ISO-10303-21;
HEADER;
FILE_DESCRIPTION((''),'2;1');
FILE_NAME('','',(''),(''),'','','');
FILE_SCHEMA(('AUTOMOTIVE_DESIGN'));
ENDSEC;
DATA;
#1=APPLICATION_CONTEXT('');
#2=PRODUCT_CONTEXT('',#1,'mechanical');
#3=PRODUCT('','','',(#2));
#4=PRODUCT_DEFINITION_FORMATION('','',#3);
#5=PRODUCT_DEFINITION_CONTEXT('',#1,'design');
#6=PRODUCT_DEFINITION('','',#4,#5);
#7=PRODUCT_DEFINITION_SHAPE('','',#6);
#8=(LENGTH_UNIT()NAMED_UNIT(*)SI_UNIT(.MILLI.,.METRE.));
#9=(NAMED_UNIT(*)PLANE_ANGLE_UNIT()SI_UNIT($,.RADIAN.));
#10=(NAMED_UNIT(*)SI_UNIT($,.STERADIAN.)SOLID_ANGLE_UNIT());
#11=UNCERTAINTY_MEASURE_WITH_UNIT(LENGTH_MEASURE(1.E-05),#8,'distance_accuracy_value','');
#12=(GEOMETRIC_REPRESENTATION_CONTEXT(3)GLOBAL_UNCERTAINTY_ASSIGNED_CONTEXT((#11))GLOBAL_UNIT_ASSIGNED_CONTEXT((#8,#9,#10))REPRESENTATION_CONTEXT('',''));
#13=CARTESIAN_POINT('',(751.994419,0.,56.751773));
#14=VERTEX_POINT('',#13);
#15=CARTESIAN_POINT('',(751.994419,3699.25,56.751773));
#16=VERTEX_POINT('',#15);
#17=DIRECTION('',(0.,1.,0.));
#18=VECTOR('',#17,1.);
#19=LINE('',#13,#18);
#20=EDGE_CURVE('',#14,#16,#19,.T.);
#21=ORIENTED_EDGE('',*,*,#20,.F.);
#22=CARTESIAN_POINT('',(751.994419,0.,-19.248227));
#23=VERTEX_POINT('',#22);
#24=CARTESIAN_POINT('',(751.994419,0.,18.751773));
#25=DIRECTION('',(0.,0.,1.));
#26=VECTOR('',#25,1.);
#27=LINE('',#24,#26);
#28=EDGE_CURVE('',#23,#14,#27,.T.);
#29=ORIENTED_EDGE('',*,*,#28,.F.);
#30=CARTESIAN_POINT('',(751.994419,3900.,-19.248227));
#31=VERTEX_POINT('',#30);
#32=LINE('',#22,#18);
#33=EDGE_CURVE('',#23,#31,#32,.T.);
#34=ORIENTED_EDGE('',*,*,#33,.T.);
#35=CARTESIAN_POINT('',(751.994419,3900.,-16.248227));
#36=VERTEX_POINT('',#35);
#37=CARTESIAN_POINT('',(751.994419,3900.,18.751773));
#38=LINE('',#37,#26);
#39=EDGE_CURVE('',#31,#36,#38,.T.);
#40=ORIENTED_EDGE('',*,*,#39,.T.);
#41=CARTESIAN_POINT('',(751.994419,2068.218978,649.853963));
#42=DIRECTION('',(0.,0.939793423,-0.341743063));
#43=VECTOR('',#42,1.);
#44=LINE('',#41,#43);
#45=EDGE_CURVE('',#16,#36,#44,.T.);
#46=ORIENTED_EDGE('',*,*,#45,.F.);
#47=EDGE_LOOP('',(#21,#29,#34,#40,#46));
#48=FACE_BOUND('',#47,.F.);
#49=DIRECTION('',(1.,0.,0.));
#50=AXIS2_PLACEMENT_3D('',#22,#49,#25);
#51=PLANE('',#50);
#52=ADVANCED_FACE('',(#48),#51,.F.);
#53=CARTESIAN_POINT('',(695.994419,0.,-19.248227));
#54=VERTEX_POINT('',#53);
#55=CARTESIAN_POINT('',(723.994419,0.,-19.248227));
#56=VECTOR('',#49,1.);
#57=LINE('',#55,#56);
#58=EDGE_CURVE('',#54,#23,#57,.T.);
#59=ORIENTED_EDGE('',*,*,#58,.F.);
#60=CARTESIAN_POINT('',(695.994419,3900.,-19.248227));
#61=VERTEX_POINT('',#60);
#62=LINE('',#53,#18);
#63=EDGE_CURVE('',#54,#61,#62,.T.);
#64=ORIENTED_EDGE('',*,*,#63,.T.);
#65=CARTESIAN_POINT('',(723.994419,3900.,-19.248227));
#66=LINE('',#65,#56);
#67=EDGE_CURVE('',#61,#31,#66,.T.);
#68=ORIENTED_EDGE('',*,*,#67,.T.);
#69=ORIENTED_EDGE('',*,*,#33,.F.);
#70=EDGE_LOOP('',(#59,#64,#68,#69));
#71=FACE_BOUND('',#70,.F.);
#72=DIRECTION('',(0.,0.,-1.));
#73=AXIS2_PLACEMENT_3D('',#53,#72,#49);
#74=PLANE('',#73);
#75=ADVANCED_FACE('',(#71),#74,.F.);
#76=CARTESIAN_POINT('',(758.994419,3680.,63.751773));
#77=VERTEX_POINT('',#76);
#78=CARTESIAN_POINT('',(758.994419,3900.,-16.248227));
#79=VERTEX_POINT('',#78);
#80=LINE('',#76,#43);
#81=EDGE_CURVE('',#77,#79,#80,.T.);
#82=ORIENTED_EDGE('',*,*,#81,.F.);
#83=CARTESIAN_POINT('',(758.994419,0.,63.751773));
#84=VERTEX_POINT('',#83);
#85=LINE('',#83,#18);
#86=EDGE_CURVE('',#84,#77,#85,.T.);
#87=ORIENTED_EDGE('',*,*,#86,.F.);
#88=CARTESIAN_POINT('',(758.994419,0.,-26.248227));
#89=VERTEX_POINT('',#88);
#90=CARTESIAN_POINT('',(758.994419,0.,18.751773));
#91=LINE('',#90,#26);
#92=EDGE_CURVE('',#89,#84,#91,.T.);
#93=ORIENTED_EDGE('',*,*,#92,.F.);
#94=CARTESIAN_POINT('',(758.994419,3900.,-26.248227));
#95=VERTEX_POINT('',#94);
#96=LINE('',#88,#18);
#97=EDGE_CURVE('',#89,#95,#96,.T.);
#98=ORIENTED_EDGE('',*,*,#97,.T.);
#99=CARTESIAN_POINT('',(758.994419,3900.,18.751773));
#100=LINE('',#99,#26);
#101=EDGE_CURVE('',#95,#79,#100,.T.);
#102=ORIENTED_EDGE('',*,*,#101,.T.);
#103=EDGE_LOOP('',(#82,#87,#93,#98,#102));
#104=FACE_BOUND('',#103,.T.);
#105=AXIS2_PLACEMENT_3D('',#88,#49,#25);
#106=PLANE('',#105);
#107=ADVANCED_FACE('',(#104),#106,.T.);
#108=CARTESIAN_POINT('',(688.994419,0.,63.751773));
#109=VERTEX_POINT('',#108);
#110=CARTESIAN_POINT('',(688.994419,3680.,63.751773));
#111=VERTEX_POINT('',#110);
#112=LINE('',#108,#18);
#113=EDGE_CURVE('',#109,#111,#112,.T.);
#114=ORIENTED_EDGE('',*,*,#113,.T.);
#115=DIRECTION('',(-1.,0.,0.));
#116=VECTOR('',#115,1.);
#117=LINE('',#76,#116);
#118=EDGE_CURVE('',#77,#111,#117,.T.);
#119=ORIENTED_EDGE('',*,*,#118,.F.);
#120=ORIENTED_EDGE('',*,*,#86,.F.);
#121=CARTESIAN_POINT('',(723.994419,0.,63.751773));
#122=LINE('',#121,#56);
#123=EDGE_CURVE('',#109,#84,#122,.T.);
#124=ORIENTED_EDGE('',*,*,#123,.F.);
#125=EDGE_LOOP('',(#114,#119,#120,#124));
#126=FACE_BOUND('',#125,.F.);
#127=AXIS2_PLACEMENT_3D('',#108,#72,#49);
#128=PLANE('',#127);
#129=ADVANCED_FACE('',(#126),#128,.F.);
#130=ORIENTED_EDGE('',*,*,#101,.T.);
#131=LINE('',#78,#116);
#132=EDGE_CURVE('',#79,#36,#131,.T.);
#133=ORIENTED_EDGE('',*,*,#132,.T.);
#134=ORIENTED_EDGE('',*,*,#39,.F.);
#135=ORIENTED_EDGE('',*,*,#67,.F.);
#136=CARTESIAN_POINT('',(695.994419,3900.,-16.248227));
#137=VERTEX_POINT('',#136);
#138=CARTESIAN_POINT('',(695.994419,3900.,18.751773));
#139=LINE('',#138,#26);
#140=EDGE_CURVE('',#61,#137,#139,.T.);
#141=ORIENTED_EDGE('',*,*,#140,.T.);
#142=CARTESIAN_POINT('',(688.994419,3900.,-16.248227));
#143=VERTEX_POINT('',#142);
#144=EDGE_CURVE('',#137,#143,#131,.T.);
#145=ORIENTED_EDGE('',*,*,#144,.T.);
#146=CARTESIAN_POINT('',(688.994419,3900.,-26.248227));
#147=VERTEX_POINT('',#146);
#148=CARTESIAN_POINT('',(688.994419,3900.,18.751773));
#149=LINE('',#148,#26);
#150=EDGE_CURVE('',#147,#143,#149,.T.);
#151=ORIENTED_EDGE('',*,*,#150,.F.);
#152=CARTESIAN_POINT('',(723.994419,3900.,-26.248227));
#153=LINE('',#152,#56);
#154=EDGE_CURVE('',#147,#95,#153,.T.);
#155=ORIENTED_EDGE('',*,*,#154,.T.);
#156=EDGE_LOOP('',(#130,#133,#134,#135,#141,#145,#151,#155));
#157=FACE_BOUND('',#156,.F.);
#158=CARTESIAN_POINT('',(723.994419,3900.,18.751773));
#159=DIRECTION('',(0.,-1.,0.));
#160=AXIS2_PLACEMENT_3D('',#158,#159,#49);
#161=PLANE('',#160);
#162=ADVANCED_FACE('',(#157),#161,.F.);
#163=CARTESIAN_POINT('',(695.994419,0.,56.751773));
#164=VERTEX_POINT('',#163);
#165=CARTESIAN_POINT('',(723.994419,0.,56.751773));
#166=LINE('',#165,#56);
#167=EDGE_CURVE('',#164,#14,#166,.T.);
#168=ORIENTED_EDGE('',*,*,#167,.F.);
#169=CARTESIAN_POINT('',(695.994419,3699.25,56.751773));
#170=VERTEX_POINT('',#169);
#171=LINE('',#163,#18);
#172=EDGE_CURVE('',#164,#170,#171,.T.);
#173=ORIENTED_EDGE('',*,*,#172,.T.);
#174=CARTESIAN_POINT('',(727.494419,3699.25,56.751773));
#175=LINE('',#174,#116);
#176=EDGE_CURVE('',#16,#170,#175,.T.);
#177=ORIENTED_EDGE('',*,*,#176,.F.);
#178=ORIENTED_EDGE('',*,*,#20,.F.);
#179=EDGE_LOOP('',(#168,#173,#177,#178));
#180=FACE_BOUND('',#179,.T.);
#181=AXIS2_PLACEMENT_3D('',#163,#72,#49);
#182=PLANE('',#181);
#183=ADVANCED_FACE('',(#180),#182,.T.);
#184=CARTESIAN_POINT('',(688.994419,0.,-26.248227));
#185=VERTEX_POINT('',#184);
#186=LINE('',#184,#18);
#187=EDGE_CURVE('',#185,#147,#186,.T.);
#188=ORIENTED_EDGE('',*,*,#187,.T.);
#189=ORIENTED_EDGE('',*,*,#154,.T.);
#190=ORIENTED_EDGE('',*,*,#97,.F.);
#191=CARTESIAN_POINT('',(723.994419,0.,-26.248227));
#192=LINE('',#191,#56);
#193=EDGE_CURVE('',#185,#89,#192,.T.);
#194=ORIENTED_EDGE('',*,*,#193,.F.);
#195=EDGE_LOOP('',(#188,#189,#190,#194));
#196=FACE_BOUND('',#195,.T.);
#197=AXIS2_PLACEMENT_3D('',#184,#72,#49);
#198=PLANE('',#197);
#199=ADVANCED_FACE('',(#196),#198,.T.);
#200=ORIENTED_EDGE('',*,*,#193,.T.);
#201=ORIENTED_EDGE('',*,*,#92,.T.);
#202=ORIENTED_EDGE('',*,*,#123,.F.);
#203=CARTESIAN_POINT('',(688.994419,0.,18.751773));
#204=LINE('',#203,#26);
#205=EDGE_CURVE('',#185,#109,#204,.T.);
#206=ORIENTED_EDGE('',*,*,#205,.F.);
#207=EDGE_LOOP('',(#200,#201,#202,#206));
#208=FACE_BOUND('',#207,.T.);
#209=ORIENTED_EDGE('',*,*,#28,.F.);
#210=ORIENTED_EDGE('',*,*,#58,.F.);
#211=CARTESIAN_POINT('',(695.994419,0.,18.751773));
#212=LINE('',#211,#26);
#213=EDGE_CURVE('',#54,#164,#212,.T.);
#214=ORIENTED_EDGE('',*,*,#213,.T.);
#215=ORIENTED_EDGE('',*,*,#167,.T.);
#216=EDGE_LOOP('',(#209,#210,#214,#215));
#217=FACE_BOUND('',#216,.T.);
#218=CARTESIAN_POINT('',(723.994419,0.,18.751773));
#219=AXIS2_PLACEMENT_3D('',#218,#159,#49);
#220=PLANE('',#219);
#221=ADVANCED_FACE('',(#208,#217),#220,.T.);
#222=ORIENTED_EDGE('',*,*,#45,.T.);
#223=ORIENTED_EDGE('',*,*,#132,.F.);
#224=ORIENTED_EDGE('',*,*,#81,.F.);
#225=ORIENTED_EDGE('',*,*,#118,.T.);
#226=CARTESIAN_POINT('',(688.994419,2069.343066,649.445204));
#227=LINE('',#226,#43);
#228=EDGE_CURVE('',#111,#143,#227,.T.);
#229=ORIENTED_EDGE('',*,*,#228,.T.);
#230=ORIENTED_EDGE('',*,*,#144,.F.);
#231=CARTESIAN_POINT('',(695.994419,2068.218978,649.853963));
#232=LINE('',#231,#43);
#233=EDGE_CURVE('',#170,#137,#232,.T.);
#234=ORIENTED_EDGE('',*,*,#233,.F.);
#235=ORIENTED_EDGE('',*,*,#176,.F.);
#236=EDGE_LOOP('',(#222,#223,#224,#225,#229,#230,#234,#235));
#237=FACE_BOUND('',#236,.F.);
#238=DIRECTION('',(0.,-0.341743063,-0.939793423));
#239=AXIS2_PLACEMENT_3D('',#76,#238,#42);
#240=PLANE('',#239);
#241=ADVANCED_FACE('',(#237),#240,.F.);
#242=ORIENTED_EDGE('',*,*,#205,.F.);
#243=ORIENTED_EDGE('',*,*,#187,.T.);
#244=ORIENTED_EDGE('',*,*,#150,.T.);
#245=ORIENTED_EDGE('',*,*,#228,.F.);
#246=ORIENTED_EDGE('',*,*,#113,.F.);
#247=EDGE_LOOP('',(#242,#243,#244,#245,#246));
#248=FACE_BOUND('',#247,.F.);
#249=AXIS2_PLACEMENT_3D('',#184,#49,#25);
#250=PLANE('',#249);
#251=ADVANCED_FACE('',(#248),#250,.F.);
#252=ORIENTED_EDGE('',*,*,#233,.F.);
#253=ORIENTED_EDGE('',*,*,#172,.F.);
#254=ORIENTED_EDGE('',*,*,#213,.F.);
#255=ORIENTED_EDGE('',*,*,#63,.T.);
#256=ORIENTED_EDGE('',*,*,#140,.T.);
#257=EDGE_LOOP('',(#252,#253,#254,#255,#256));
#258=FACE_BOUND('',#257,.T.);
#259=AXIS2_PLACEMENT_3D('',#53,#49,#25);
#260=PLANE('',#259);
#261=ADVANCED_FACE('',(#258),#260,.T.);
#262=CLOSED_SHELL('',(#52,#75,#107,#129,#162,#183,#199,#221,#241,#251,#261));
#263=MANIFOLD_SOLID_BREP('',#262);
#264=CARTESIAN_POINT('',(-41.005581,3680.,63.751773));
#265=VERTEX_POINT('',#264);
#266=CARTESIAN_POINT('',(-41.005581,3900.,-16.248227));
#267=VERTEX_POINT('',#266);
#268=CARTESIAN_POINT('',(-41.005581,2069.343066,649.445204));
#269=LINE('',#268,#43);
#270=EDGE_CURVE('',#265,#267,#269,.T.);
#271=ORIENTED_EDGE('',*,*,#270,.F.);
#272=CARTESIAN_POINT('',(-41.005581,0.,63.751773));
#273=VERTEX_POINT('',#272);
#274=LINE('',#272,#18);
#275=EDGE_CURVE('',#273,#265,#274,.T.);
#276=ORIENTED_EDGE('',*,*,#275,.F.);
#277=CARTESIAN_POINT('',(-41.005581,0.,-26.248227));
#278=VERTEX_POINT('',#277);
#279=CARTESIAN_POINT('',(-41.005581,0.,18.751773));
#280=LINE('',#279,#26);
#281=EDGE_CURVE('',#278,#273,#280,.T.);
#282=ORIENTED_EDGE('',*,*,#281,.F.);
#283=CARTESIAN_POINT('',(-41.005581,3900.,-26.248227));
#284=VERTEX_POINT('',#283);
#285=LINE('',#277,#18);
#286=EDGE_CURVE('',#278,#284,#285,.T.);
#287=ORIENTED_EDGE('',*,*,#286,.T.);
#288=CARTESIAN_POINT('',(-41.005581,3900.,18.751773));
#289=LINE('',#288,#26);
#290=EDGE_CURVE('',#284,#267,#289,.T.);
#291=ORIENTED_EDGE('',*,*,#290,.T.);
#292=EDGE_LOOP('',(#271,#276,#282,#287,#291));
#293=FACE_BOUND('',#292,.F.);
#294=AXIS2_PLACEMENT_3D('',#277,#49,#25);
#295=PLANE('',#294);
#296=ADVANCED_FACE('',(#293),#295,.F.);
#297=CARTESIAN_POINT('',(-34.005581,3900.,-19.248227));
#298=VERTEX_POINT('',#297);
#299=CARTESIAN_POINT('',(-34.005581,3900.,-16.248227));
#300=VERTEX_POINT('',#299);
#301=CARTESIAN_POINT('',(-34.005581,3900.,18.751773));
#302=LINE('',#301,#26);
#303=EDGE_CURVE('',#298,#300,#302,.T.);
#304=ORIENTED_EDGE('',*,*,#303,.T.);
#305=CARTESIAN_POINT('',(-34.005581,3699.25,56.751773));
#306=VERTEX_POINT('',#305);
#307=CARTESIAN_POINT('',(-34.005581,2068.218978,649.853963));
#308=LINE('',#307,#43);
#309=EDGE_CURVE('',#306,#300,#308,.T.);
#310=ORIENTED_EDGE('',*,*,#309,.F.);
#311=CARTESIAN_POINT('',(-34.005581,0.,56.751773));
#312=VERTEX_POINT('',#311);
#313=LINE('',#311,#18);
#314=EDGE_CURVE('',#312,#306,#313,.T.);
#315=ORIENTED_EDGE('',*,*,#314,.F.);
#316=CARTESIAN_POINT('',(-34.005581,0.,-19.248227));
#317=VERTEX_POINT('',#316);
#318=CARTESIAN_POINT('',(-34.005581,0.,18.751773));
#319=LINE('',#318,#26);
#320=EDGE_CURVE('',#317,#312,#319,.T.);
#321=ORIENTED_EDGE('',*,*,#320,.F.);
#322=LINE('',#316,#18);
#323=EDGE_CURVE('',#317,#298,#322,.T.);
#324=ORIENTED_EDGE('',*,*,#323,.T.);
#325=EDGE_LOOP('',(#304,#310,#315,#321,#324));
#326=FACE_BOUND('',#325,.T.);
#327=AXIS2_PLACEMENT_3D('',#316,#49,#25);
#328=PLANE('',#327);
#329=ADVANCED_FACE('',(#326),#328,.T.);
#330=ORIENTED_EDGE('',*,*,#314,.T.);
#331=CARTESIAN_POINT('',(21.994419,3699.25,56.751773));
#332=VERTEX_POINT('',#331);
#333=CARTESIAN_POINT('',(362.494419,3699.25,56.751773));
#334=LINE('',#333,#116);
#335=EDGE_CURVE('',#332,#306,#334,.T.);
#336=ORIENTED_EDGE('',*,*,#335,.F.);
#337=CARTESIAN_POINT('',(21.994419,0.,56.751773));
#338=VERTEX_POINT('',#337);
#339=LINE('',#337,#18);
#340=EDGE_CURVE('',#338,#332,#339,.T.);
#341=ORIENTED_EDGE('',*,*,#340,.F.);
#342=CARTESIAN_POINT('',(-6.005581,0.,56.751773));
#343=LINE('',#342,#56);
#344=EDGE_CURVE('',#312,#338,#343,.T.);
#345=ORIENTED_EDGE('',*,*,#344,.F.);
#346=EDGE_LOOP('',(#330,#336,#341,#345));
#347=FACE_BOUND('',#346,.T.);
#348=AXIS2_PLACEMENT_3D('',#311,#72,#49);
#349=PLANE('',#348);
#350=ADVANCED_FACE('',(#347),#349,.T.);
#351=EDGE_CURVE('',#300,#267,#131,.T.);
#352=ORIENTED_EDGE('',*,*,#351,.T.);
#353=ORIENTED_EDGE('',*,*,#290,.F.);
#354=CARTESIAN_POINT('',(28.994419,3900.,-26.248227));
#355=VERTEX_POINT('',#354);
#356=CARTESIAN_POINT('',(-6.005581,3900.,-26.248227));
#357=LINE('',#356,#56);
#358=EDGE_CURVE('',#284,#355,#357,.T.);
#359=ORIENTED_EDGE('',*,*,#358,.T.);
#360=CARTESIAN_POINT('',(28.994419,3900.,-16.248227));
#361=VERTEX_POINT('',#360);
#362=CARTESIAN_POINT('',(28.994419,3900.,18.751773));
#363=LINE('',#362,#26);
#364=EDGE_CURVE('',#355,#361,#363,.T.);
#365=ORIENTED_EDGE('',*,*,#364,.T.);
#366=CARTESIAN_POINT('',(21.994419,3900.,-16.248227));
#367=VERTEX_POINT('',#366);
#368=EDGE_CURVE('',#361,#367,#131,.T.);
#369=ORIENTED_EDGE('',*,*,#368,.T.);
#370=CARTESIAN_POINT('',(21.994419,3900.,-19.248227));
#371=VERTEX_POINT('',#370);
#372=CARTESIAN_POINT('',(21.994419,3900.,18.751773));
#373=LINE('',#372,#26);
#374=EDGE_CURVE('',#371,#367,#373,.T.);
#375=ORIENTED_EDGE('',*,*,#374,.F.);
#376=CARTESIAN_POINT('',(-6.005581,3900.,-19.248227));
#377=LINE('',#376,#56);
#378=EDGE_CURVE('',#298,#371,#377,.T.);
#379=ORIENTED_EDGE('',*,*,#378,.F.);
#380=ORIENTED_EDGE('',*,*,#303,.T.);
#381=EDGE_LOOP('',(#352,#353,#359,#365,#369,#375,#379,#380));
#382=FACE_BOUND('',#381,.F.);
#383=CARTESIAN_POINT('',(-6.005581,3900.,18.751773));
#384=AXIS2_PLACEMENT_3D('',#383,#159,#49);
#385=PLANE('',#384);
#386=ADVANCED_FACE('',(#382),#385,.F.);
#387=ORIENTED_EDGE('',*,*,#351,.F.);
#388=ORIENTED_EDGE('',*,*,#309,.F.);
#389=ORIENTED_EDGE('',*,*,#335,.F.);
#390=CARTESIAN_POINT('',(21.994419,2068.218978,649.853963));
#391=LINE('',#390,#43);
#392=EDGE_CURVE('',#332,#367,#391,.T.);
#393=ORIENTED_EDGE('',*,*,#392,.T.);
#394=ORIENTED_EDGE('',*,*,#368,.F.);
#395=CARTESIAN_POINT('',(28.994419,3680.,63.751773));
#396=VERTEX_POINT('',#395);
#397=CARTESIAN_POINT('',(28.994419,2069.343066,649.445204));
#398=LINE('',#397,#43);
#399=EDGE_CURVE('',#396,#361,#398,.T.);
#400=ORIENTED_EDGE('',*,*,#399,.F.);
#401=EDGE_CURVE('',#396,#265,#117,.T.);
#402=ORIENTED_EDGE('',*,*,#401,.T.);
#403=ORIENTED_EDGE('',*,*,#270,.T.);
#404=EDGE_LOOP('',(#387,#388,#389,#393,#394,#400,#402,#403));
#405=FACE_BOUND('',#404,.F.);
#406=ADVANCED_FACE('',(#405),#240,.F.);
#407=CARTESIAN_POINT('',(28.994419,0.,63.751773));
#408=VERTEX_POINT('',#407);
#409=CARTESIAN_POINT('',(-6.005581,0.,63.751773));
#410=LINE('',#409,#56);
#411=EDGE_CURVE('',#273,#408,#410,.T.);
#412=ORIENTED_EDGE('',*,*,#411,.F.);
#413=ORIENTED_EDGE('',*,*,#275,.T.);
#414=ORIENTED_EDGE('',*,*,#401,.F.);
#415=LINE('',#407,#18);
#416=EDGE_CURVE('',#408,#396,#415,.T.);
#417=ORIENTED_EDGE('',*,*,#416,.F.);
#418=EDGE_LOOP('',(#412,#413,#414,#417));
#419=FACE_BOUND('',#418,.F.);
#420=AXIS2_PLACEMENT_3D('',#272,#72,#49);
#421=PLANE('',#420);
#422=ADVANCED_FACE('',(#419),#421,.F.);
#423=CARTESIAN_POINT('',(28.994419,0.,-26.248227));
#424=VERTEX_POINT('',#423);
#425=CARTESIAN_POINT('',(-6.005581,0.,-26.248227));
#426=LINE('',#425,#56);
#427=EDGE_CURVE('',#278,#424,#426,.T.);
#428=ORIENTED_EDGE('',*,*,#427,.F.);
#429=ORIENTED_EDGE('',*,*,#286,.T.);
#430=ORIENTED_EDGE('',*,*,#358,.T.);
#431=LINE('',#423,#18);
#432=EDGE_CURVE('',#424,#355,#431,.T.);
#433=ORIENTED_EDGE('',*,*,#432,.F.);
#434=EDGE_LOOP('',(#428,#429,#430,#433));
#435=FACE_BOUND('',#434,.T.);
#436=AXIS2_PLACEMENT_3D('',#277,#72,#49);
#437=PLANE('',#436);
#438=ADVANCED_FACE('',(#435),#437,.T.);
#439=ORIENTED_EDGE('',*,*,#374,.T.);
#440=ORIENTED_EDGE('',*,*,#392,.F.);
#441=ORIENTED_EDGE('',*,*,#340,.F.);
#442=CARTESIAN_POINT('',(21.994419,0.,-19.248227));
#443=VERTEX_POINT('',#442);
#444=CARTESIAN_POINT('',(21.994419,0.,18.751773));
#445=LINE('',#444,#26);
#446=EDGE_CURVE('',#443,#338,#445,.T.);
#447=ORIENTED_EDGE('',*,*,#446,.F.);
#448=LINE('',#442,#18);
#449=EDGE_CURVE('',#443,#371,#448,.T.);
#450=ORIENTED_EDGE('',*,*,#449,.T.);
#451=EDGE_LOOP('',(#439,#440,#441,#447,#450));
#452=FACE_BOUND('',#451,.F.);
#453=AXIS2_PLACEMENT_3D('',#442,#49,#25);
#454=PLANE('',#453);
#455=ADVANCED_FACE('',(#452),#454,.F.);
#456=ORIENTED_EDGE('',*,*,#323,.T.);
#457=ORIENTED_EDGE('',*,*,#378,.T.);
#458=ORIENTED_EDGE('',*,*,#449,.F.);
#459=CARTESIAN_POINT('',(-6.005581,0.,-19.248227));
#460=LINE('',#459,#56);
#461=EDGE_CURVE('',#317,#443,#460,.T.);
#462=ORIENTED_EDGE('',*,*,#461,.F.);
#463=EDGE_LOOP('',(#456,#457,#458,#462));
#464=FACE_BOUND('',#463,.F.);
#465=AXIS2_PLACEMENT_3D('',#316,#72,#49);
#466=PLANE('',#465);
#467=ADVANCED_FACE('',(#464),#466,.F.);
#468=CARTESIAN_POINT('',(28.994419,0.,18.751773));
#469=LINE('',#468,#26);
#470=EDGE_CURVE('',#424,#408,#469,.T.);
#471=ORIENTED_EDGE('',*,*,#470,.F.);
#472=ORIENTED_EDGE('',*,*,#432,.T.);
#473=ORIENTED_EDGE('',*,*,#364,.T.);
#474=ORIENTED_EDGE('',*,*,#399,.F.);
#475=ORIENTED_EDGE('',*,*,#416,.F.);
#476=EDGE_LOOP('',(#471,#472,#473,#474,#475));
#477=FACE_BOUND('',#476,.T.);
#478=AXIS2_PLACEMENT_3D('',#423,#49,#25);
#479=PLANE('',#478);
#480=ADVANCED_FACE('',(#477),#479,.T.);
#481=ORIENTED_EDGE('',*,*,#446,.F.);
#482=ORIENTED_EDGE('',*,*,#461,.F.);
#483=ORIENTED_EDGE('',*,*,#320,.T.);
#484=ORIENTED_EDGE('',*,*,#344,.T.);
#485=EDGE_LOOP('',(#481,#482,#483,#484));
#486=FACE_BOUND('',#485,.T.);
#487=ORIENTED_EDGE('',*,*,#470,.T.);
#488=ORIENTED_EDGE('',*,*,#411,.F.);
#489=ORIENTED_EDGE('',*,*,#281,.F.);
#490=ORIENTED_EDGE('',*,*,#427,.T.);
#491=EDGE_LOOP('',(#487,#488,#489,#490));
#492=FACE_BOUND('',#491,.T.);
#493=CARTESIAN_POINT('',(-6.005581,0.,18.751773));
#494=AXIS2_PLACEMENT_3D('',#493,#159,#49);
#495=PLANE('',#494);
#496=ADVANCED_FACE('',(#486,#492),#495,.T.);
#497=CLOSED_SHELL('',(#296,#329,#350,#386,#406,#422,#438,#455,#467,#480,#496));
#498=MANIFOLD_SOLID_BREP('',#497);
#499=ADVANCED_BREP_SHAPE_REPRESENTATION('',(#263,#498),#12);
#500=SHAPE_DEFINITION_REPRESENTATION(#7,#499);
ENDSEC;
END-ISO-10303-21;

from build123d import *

# Parameters (mm, degrees)
F0_W     = 70
F0_H     = 90
F0_W_2   = 56
F0_H_2   = 76
F1_DEPTH = 3900
F3_DEPTH = 800.001
F5_DEPTH = 70.001


with BuildPart() as f1:
    # F0 (on Front) → F1 (new body)
    with BuildSketch(Plane.XZ):
        with Locations((-6.005581, 18.751773)):
            Rectangle(F0_W, F0_H)
        with Locations((-6.005581, 18.751773)):
            Rectangle(F0_W_2, F0_H_2, mode=Mode.SUBTRACT)
        with Locations((723.994419, 18.751773)):
            Rectangle(F0_W, F0_H)
        with Locations((723.994419, 18.751773)):
            Rectangle(F0_W_2, F0_H_2, mode=Mode.SUBTRACT)
    extrude(amount=-F1_DEPTH)

    # F2 (on face) → F3 (cut, through all)
    with BuildSketch(Plane.YZ.offset(758.994419)):
        Polygon((3900, 63.751773), (3680, 63.751773), (3900, -16.248227), align=None)
    extrude(amount=-F3_DEPTH, mode=Mode.SUBTRACT)

    # F4 (on face) → F5 (cut, through all)
    with BuildSketch(Plane.YZ.offset(28.994419)):
        Polygon((3900, 63.751773), (3680, 63.751773), (3900, -16.248227), align=None)
    extrude(amount=-F5_DEPTH, mode=Mode.SUBTRACT)


solid = f1.part
